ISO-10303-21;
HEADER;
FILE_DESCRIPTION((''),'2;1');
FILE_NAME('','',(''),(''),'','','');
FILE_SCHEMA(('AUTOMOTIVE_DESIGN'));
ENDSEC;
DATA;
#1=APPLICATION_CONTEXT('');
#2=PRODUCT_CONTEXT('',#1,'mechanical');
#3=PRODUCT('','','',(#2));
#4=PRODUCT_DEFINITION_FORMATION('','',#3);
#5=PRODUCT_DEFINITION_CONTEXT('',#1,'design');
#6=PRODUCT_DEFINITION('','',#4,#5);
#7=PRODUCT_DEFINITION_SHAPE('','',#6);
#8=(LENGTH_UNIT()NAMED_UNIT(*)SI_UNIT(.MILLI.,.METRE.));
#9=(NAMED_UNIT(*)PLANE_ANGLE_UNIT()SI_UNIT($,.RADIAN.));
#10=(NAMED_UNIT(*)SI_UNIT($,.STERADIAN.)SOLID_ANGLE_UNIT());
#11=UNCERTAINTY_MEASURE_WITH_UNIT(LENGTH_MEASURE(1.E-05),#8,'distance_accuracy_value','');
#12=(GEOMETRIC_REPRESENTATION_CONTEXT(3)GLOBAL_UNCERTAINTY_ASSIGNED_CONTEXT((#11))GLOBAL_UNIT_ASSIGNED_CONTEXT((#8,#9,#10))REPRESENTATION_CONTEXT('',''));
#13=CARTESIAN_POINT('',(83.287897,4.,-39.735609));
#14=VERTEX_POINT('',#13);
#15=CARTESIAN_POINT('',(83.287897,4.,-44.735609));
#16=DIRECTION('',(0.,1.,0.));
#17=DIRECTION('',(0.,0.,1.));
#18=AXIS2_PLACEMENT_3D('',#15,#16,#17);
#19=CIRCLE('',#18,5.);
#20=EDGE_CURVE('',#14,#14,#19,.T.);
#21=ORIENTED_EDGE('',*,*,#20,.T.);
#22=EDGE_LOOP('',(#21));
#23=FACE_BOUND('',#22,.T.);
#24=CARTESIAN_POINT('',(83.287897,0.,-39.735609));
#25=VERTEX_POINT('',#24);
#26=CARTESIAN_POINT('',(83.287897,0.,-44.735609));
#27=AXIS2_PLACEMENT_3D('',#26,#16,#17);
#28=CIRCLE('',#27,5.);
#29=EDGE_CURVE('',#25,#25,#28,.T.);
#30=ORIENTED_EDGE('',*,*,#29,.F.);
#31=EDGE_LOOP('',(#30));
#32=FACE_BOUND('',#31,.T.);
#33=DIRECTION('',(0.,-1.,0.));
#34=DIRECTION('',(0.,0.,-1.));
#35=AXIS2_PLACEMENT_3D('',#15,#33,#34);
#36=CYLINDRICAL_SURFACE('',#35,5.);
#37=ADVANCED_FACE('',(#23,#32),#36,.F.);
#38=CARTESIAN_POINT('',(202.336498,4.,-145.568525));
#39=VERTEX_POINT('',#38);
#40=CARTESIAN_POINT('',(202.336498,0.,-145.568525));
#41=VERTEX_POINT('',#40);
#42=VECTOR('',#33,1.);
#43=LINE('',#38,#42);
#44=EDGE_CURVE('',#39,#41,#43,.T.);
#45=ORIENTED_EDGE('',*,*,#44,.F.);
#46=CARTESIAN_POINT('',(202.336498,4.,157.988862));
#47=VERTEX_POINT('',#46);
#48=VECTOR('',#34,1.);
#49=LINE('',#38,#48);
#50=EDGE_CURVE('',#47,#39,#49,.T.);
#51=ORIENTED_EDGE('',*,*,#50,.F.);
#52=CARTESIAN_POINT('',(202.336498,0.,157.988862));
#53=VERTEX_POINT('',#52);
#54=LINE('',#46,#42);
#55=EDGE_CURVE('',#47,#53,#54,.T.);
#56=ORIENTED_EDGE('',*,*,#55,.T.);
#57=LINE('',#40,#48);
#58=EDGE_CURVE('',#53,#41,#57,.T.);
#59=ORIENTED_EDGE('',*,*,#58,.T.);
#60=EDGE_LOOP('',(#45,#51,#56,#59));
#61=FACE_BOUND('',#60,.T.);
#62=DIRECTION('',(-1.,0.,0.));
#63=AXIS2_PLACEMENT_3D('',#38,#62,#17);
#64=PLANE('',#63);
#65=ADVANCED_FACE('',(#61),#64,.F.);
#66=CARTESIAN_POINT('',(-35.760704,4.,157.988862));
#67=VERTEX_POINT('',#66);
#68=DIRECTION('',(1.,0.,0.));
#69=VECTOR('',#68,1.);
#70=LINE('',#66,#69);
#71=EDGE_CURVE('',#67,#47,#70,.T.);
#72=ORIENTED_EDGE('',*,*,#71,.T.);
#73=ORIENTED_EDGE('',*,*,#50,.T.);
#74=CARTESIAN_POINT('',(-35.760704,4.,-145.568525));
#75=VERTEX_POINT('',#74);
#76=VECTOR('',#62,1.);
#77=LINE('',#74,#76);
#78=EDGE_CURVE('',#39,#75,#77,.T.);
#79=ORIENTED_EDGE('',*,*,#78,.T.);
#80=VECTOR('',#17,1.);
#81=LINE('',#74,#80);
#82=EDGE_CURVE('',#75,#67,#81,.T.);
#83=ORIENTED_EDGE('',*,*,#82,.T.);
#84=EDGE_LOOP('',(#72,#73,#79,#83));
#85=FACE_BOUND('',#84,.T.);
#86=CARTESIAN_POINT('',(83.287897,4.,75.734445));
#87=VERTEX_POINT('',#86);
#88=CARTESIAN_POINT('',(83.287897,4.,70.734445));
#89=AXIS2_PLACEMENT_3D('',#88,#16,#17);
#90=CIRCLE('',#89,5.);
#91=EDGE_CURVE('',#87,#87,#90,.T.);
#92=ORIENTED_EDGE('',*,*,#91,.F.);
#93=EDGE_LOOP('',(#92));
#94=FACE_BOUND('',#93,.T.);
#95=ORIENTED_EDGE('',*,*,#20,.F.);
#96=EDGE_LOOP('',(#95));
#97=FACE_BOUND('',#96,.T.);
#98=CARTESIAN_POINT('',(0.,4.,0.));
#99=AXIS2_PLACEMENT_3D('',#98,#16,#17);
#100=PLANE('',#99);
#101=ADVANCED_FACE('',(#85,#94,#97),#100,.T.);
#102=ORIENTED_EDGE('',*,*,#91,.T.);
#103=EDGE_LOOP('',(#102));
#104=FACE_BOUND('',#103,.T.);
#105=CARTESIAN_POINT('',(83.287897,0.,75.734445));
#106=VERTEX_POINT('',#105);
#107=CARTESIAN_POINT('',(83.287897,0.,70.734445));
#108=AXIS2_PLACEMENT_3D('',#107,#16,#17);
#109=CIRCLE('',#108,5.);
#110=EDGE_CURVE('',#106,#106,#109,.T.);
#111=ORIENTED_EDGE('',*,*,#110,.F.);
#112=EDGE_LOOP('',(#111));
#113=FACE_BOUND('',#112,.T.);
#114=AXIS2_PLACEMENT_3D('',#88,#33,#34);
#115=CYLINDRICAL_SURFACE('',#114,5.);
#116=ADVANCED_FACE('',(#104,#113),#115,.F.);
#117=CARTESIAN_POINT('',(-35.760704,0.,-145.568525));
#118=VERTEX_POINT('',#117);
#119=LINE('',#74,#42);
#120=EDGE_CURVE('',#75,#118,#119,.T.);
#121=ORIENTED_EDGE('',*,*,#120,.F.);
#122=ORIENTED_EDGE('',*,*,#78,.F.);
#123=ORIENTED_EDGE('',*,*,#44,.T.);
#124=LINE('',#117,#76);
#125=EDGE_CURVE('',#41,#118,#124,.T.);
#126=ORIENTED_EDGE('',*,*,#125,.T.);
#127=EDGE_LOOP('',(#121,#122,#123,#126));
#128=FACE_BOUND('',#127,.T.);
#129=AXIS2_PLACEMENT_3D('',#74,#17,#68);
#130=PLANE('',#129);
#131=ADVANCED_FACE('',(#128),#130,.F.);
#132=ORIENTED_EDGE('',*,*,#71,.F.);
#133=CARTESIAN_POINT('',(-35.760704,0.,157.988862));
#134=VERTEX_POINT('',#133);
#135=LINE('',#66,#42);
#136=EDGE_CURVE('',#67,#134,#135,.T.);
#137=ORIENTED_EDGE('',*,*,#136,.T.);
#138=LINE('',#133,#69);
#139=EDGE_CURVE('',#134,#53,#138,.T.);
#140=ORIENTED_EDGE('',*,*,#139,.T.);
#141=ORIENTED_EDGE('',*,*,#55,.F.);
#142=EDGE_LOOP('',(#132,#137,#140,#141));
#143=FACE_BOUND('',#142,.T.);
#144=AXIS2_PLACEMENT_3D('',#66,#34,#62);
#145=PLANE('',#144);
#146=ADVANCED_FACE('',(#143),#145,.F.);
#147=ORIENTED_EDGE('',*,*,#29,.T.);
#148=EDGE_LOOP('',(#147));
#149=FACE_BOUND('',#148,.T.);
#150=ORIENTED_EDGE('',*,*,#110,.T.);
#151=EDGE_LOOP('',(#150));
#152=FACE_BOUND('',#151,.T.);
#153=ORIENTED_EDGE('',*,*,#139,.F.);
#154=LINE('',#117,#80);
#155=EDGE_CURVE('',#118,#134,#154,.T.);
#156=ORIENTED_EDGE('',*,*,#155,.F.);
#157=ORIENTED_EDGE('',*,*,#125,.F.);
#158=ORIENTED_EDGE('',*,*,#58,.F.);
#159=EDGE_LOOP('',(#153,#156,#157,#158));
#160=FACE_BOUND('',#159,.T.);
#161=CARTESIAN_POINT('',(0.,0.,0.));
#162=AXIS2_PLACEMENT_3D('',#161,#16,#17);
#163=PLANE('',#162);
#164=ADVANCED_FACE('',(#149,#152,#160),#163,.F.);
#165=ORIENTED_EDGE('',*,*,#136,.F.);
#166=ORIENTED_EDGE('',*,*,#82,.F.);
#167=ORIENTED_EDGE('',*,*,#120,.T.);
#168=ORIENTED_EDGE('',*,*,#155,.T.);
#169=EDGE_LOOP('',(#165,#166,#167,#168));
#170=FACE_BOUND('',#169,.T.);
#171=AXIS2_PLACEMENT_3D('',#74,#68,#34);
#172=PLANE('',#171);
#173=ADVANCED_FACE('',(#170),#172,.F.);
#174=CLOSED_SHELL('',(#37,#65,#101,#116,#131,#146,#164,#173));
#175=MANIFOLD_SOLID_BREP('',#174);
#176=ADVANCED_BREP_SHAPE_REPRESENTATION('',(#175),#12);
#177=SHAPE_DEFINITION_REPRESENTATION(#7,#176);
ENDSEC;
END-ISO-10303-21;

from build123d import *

# Parameters (mm, degrees)
SKETCH1_W           = 238.097201903
SKETCH1_H           = 303.557386745
SKETCH1_R           = 5
BOSS_EXTRUDE1_DEPTH = 4


with BuildPart() as part:
    # Sketch1 → Boss-Extrude1 (new body)
    with BuildSketch(Plane(origin=(0, 0, 0), x_dir=(1, 0, 0), z_dir=(0, 1, 0))):
        with Locations((83.287897072, -6.210168708)):
            Rectangle(SKETCH1_W, SKETCH1_H)
        with Locations(Location((83.287897072, 44.735608732, 0), (0, 0, 270))):  # turned: the seam where the file's is
            Circle(SKETCH1_R, mode=Mode.SUBTRACT)
        with Locations(Location((83.287897072, -70.734445106, 0), (0, 0, 270))):  # turned: the seam where the file's is
            Circle(SKETCH1_R, mode=Mode.SUBTRACT)
    extrude(amount=BOSS_EXTRUDE1_DEPTH)


solid = part.part
